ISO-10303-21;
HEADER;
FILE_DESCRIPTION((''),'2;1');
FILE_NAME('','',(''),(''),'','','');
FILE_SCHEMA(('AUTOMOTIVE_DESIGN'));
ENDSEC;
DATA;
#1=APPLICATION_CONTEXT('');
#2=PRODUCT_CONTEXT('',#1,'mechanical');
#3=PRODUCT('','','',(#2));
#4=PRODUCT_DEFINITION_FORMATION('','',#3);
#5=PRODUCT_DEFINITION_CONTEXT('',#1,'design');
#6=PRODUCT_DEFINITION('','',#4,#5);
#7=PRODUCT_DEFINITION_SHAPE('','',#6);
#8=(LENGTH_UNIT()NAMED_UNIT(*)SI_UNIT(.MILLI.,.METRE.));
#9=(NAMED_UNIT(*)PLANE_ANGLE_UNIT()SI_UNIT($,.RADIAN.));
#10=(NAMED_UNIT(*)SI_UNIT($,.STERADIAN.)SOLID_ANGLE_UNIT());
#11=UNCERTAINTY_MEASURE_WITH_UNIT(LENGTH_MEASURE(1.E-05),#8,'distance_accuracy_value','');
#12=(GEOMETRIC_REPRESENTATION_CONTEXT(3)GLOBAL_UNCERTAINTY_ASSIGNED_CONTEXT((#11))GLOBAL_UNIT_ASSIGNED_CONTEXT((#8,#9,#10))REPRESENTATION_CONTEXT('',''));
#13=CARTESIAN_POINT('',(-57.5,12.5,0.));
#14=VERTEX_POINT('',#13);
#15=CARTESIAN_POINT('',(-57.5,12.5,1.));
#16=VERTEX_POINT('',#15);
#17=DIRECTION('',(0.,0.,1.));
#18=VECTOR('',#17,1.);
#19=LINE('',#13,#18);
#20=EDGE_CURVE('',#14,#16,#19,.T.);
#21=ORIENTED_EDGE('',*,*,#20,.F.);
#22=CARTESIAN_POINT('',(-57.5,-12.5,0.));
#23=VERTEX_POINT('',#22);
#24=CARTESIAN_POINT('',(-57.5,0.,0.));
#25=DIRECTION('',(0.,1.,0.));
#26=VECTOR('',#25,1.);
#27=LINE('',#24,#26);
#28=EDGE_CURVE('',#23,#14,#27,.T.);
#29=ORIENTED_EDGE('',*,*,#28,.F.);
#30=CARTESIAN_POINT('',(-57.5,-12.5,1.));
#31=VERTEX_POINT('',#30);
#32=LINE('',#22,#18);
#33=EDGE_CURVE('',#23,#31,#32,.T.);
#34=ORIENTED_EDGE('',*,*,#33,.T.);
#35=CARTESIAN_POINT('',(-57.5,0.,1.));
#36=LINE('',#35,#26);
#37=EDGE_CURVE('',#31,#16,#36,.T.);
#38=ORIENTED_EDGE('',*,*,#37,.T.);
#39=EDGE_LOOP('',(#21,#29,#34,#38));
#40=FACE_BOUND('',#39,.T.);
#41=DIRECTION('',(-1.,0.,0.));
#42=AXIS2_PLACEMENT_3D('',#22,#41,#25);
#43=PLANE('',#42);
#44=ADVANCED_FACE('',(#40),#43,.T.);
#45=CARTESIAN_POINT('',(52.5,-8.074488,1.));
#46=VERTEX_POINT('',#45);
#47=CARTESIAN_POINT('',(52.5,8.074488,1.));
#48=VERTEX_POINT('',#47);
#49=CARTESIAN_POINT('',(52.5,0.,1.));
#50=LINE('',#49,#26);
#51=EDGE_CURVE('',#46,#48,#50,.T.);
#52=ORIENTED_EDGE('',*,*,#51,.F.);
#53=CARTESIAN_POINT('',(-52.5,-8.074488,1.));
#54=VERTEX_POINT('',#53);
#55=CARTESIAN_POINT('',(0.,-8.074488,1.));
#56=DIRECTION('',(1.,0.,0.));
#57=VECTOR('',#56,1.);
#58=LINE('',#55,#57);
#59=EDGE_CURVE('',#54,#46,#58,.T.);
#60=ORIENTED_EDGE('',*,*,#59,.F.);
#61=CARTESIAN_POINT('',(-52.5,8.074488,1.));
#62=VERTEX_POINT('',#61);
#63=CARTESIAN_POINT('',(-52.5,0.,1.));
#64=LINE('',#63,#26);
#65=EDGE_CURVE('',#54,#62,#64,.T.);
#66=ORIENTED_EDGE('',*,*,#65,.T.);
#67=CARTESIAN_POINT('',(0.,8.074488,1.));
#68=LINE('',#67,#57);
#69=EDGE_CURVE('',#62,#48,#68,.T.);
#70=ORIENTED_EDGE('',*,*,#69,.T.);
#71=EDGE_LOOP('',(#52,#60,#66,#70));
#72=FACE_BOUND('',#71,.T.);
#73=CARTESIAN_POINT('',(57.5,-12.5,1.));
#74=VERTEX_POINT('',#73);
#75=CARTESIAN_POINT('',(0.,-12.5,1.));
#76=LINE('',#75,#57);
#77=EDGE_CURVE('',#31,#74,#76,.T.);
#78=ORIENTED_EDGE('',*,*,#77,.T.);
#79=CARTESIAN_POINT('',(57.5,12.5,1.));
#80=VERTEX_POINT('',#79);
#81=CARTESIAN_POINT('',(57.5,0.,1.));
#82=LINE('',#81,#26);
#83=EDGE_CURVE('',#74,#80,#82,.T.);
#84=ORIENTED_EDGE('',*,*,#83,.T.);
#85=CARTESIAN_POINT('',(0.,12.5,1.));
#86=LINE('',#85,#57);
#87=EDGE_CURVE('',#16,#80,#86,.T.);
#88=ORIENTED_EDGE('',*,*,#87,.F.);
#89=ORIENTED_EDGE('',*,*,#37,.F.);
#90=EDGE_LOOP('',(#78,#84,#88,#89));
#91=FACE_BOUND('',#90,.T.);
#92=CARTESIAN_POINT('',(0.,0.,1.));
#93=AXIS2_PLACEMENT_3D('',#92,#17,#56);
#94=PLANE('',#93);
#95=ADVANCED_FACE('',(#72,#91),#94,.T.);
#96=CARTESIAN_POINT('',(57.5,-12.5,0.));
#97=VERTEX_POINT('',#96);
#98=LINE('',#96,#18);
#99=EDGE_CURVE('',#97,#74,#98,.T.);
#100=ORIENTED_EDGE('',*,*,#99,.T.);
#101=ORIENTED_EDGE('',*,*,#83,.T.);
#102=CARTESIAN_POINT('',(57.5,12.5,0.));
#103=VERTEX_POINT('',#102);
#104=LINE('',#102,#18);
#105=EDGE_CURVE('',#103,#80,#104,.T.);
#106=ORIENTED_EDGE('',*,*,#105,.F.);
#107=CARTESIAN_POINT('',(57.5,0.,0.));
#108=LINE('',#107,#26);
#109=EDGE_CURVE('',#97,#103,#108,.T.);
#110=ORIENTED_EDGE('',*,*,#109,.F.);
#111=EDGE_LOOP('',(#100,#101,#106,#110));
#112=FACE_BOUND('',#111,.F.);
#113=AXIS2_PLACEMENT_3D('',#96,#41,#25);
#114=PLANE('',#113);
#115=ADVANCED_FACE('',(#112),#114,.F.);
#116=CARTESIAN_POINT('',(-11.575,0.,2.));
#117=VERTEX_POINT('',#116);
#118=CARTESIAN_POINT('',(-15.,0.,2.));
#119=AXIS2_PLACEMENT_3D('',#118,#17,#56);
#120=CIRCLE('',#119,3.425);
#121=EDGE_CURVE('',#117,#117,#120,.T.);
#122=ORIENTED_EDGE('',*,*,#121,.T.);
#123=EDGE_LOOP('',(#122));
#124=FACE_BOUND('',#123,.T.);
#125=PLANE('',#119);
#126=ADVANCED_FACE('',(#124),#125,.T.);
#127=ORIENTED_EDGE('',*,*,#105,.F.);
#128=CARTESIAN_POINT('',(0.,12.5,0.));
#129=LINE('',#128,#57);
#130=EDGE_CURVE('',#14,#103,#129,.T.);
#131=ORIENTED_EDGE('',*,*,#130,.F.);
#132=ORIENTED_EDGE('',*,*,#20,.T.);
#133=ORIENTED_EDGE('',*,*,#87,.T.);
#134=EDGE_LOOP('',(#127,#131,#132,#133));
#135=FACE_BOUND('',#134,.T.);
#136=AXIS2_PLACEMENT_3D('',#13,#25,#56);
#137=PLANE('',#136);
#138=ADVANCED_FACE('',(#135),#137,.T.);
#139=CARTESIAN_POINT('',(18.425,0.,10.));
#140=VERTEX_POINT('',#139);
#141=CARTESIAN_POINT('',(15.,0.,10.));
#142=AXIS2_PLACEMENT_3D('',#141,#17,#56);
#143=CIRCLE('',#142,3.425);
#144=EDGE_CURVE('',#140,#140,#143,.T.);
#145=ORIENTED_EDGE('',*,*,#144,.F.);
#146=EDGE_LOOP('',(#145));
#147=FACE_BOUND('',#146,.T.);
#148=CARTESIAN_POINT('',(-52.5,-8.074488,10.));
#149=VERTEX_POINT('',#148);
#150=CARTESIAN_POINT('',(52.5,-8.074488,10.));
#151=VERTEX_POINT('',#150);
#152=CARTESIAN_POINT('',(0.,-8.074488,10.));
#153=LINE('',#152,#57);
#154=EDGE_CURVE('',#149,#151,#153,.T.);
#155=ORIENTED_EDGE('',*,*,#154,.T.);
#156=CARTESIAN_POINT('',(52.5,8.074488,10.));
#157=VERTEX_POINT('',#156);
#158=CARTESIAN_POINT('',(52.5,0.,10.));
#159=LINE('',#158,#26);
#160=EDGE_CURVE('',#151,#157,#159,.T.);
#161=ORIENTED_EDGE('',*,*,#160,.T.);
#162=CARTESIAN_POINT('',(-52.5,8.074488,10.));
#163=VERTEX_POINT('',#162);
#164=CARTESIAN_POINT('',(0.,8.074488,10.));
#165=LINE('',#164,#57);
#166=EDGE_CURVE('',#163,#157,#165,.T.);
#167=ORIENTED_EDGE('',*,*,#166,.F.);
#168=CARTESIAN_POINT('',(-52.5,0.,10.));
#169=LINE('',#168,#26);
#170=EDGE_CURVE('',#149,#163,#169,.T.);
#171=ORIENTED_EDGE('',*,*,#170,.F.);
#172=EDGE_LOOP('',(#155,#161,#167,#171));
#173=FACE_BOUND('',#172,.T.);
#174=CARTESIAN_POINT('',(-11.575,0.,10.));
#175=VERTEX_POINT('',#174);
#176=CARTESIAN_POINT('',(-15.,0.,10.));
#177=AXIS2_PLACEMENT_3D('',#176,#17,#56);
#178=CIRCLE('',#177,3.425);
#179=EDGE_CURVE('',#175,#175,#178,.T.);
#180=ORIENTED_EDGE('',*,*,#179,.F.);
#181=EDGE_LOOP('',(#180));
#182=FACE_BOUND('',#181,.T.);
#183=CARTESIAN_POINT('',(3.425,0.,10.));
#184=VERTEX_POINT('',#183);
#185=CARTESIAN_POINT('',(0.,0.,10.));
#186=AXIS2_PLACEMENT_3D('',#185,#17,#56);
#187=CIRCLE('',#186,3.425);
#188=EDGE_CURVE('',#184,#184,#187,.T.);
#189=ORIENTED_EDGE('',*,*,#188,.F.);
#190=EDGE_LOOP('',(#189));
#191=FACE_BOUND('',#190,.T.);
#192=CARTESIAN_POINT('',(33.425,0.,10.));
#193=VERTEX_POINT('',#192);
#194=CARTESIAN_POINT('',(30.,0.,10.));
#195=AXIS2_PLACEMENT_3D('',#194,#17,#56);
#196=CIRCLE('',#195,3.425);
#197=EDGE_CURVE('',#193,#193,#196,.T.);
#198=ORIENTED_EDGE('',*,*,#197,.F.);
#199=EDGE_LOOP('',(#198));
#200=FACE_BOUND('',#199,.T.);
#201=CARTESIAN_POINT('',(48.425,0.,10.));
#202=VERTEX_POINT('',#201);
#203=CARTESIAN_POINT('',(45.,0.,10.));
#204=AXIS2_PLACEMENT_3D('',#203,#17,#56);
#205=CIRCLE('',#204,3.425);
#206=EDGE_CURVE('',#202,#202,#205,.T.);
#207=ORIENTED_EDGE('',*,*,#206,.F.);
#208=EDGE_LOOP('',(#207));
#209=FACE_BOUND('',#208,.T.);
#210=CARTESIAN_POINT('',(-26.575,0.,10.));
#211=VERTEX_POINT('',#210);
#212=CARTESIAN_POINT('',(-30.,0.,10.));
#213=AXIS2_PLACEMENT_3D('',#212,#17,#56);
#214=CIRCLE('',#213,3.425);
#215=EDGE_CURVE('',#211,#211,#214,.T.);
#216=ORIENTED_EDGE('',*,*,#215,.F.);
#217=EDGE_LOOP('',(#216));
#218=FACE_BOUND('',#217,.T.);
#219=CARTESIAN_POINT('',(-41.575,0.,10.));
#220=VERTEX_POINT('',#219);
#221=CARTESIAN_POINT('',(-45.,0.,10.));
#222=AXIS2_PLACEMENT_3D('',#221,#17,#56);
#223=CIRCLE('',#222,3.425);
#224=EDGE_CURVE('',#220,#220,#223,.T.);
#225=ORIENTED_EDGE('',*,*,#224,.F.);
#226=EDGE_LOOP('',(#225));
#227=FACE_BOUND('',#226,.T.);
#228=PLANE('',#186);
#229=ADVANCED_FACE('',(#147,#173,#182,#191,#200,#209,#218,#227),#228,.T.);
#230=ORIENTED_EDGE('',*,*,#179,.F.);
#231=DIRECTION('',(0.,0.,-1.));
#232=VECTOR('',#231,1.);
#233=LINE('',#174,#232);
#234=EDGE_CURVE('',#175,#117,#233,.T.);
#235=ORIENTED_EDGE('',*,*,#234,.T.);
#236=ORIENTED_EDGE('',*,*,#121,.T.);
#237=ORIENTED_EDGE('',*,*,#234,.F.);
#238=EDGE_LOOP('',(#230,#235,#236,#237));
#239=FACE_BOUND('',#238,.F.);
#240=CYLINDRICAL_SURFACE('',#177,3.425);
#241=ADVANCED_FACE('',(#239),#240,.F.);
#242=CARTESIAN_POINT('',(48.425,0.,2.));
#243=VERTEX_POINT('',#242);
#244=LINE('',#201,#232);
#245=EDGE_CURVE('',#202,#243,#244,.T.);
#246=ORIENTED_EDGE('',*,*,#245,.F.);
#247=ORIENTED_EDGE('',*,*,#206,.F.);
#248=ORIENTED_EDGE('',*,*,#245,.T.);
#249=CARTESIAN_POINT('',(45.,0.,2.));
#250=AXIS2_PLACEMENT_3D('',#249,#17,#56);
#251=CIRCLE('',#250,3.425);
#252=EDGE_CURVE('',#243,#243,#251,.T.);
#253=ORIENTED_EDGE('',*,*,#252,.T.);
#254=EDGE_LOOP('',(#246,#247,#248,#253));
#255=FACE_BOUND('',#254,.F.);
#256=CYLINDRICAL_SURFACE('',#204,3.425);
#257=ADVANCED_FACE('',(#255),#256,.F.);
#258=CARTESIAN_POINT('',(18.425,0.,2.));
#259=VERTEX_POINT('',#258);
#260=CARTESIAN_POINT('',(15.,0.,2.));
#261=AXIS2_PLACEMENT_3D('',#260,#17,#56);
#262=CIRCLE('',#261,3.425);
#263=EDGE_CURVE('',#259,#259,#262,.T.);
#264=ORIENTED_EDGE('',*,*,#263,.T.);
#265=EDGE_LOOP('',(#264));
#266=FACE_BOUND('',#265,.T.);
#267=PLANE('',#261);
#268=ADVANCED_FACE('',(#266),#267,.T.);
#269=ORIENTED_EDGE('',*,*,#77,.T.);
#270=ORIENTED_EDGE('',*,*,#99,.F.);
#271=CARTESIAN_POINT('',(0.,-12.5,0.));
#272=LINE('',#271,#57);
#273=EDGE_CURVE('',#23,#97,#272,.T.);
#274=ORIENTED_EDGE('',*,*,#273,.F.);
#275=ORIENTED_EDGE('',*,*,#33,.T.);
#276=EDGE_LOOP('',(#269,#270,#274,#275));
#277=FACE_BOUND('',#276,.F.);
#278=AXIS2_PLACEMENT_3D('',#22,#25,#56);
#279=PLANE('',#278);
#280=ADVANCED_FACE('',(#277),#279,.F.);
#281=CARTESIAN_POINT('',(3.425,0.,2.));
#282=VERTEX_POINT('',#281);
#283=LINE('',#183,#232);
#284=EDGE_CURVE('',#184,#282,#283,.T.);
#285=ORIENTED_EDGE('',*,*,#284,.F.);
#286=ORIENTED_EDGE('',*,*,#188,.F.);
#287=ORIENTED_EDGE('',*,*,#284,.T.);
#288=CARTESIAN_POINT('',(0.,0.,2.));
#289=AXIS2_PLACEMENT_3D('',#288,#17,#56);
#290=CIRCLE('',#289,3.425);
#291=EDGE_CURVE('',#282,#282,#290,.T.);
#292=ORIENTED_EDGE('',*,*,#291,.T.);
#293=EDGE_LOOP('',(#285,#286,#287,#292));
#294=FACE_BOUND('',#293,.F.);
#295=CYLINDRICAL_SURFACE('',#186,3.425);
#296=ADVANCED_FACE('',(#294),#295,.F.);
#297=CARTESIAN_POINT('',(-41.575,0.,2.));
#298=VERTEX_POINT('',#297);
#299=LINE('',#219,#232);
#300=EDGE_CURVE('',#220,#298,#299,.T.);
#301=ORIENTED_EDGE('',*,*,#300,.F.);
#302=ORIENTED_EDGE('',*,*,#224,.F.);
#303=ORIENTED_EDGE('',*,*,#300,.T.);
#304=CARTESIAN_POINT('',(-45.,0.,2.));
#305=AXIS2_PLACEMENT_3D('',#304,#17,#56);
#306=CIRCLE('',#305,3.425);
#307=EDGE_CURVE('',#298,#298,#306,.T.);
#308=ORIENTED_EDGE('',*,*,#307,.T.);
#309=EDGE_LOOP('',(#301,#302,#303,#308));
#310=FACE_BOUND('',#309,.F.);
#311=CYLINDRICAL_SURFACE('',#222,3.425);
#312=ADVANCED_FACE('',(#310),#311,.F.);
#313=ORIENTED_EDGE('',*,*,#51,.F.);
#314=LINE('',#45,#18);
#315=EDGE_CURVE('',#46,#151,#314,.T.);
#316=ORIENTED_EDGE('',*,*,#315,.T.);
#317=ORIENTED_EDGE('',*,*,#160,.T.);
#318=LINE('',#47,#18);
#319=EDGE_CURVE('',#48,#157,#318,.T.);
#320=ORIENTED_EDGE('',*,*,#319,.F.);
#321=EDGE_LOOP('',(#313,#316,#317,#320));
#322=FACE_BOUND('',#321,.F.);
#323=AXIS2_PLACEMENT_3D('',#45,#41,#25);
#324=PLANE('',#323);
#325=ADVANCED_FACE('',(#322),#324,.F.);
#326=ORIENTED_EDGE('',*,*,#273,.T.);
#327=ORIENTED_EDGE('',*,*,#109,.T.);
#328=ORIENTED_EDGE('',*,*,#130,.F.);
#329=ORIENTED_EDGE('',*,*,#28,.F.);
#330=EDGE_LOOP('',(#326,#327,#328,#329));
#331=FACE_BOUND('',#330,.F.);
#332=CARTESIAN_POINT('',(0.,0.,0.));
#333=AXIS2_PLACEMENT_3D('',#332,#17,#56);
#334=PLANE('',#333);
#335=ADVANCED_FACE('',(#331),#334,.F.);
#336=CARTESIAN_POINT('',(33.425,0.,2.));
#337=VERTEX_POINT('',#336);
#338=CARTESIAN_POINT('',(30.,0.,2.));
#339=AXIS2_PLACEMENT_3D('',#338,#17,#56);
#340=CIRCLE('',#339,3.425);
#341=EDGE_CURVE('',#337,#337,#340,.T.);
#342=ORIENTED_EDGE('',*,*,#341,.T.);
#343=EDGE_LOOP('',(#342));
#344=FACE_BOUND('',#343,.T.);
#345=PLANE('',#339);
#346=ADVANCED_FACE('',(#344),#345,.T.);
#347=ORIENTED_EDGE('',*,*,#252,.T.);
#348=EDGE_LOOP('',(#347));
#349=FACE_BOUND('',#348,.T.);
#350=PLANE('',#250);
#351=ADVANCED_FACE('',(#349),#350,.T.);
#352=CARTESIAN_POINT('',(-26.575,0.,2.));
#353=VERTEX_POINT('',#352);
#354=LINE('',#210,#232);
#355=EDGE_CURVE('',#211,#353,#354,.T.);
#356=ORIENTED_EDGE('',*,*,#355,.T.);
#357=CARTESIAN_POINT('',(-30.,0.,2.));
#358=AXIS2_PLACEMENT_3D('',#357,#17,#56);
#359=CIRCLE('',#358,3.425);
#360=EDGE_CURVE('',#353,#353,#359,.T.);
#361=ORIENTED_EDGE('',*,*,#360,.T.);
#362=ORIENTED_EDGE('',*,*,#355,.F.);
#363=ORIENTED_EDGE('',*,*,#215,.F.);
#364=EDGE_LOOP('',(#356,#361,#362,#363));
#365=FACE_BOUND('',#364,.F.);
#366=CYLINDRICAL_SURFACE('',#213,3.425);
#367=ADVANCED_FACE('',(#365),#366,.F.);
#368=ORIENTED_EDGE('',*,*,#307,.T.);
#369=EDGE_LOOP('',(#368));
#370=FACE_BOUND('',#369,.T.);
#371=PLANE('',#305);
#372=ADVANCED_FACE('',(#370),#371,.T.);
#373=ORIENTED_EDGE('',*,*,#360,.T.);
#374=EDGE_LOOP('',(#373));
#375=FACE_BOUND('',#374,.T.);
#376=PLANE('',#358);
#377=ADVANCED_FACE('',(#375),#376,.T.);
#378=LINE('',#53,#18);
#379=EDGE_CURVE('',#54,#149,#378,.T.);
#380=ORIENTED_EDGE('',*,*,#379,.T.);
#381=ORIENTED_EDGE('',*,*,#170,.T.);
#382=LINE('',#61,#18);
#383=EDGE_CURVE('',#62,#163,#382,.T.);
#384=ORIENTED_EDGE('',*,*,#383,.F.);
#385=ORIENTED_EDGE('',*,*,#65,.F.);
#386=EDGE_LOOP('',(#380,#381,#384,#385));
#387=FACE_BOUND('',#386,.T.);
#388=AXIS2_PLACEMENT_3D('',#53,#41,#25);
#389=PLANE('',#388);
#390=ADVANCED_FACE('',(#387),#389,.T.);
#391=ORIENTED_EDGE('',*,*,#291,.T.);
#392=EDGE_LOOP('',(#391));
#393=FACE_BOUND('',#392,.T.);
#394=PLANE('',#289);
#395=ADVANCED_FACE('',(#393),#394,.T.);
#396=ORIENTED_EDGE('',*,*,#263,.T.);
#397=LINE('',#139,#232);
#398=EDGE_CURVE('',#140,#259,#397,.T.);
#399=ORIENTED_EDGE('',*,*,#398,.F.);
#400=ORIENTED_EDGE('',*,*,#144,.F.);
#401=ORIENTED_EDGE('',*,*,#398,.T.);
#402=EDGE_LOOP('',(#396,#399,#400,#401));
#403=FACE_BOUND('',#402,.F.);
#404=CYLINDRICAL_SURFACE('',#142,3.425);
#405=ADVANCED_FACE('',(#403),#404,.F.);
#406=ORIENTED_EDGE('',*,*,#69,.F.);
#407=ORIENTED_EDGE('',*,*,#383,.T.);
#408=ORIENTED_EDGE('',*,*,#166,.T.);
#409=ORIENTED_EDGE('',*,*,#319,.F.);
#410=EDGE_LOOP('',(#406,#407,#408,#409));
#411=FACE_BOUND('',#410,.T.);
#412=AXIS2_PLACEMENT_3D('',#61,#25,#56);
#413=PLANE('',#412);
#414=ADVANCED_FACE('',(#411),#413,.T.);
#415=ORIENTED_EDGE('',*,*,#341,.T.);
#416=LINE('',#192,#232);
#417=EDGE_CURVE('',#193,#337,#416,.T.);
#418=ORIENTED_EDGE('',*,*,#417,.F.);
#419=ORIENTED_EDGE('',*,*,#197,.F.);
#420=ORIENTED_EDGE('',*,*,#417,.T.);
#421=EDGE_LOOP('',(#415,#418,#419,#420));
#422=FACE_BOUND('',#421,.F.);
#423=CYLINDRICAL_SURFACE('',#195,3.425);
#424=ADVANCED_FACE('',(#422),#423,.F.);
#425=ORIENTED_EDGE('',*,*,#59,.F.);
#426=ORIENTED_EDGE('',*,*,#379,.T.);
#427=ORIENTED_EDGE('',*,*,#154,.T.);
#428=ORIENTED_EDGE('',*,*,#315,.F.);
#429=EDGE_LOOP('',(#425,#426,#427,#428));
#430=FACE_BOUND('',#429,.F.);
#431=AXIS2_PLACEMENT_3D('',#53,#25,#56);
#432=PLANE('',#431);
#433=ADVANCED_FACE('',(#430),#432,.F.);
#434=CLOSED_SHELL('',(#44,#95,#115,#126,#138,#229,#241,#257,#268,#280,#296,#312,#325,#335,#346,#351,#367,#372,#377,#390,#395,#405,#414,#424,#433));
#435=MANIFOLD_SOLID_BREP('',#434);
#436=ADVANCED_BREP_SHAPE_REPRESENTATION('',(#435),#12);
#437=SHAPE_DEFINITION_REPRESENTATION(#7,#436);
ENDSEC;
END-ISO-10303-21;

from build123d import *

# Parameters (mm, degrees)
F2_W     = 115
F2_H     = 25
F3_DEPTH = 1
F4_W     = 105
F4_H     = 16.148975119
F5_DEPTH = 9
F6_R     = 3.425
F7_DEPTH = 8


with BuildPart() as f3:
    # F2 (on Top) → F3 (new body)
    with BuildSketch(Plane.XY):
        Rectangle(F2_W, F2_H)
    extrude(amount=F3_DEPTH)

    # F4 (on face) → F5 (join)
    with BuildSketch(Plane.XY.offset(1)):
        Rectangle(F4_W, F4_H)
    extrude(amount=F5_DEPTH)

    # F6 (on face) → F7 (cut)
    with BuildSketch(Plane.XY.offset(10)):
        with Locations((-45, 0)):
            Circle(F6_R)
        with Locations((-30, 0)):
            Circle(F6_R)
        with Locations((-15, 0)):
            Circle(F6_R)
        Circle(F6_R)
        with Locations((15, 0)):
            Circle(F6_R)
        with Locations((30, 0)):
            Circle(F6_R)
        with Locations((45, 0)):
            Circle(F6_R)
    extrude(amount=-F7_DEPTH, mode=Mode.SUBTRACT)


solid = f3.part
